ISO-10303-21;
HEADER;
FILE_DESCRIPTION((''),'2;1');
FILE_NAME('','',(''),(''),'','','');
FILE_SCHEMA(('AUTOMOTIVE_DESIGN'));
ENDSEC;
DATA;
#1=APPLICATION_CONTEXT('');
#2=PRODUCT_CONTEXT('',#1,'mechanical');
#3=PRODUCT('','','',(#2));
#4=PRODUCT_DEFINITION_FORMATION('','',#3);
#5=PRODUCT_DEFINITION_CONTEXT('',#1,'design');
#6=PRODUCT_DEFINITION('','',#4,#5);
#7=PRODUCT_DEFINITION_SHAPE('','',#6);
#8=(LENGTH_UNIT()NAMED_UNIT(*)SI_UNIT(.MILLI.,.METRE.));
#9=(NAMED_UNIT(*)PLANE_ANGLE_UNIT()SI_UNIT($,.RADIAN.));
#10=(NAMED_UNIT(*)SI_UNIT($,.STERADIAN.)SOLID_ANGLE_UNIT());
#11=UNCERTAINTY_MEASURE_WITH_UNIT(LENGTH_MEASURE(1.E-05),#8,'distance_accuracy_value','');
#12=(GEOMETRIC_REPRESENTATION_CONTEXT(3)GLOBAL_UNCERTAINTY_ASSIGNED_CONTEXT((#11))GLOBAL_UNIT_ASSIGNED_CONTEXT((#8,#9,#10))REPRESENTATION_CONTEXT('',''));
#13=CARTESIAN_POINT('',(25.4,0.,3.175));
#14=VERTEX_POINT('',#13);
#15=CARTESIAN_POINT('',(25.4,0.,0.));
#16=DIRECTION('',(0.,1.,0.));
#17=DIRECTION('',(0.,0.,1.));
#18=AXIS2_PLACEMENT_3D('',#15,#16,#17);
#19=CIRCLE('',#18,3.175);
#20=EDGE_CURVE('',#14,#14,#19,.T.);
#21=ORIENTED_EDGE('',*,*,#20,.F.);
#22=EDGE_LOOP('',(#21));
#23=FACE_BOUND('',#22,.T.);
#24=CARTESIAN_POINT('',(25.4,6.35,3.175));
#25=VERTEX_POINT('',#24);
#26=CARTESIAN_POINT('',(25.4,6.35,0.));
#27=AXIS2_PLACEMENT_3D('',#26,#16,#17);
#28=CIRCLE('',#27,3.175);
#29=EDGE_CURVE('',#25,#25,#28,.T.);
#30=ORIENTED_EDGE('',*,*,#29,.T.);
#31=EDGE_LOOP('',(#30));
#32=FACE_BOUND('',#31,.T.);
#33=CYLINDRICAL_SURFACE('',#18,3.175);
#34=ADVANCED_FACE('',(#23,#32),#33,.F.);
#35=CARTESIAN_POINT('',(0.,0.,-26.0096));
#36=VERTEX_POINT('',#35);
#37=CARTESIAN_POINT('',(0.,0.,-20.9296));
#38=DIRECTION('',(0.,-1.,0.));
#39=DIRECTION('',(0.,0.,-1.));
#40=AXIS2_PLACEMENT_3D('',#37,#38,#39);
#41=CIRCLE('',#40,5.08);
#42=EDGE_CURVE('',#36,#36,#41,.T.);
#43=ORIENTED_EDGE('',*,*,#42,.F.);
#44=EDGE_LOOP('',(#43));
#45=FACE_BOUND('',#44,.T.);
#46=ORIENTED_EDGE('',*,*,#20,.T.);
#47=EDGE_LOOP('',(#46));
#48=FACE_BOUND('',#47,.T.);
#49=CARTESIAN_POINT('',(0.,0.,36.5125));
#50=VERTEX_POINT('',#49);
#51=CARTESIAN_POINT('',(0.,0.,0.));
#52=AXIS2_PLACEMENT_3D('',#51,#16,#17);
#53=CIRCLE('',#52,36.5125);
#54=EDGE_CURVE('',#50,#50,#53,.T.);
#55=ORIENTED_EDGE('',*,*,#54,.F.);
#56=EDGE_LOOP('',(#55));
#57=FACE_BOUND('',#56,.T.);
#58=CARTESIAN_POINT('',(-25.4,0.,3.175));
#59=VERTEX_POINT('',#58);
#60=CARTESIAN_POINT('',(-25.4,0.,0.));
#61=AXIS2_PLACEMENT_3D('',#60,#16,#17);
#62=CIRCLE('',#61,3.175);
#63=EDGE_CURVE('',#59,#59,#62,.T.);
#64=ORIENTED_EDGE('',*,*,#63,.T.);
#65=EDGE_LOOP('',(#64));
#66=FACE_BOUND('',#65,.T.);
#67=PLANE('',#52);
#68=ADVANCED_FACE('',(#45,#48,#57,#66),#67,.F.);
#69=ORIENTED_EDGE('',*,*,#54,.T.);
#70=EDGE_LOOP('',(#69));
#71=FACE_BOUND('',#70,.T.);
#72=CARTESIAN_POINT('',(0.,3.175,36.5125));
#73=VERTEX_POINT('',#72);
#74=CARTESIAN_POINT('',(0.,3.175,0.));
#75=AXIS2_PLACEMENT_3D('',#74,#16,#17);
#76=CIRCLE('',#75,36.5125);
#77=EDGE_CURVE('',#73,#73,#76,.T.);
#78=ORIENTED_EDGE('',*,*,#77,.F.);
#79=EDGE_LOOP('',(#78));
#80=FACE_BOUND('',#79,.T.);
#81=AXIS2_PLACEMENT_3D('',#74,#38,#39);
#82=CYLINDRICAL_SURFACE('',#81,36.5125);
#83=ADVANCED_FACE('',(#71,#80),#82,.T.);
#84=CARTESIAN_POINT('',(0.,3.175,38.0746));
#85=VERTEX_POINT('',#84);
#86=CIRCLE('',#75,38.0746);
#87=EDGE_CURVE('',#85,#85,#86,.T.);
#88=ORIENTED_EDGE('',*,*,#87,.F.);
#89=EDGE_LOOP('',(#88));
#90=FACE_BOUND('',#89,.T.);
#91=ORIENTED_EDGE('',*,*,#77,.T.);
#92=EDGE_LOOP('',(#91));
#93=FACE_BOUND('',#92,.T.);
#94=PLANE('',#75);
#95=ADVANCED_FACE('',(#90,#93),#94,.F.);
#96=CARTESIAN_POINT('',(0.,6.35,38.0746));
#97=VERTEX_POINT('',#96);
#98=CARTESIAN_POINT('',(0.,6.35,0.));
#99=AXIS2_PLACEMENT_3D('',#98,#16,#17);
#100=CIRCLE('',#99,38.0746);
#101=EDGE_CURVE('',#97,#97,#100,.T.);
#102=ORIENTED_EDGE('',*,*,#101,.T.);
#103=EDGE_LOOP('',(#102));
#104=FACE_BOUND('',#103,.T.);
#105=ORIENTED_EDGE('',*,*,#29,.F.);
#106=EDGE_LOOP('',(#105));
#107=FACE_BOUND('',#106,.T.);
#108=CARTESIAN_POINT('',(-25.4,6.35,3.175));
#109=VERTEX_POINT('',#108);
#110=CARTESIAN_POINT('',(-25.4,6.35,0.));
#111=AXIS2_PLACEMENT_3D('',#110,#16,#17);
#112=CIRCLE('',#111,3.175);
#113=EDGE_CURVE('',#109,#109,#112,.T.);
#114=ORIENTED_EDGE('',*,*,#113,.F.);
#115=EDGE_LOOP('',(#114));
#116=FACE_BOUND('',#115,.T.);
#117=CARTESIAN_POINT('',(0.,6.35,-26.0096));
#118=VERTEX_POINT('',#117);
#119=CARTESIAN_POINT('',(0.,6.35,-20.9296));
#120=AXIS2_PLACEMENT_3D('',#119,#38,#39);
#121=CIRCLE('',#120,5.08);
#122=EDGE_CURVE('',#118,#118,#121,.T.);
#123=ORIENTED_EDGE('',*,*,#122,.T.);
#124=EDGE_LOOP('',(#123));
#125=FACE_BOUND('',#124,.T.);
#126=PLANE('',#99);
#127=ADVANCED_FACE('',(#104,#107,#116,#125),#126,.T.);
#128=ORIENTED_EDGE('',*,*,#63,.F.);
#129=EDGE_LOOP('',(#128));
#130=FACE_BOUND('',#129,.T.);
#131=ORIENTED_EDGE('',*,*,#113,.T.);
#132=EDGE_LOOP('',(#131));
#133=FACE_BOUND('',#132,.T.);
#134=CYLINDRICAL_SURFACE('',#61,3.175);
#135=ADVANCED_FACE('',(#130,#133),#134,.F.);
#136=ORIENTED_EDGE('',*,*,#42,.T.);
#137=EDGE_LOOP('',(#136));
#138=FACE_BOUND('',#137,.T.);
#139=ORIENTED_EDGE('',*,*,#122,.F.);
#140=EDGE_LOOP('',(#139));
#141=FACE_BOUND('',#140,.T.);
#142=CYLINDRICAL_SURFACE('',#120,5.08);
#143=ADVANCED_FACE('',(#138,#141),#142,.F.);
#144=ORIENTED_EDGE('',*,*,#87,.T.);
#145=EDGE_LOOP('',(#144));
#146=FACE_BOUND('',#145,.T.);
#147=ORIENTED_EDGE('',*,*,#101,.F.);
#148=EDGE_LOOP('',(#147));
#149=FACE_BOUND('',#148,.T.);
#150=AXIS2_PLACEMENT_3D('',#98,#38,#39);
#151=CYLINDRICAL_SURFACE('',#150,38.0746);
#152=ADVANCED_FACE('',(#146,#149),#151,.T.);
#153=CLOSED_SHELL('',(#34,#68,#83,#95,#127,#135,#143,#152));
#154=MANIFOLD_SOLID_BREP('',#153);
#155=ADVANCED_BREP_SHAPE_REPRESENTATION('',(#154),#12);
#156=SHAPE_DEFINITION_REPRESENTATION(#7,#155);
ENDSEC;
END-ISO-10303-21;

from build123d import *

# Parameters (mm, degrees)
SKETCH1_R           = 36.5125
BOSS_EXTRUDE1_DEPTH = 3.175
SKETCH2_R           = 38.0746
BOSS_EXTRUDE2_DEPTH = 3.175
SKETCH3_R           = 5.08
CUT_EXTRUDE1_DEPTH  = 55.218749804
SKETCH7_R           = 3.175
CUT_EXTRUDE4_DEPTH  = 55.218749804


with BuildPart() as part:
    # Sketch1 → Boss-Extrude1 (new body)
    with BuildSketch(Plane(origin=(0, 0, 0), x_dir=(1, 0, 0), z_dir=(0, 1, 0))):
        with Locations(Location((0, 0, 0), (0, 0, 270))):
            Circle(SKETCH1_R)
    extrude(amount=BOSS_EXTRUDE1_DEPTH)

    # Sketch2 → Boss-Extrude2 (add)
    with BuildSketch(Plane(origin=(0, 3.175, 0), x_dir=(1, 0, 0), z_dir=(0, 1, 0))):
        with Locations(Location((0, 0, 0), (0, 0, 270))):
            Circle(SKETCH2_R)
    extrude(amount=BOSS_EXTRUDE2_DEPTH)

    # Sketch3 → Cut-Extrude1 (cut, through all)
    with BuildSketch(Plane.XZ):
        with Locations(Location((0, -20.9296, 0), (0, 0, 270))):
            Circle(SKETCH3_R)
    extrude(amount=-CUT_EXTRUDE1_DEPTH, mode=Mode.SUBTRACT)

    # Sketch7 → Cut-Extrude4 (cut, through all)
    with BuildSketch(Plane(origin=(0, 6.35, 0), x_dir=(1, 0, 0), z_dir=(0, 1, 0))):
        with Locations(Location((-25.4, 0, 0), (0, 0, 270))):
            Circle(SKETCH7_R)
        with Locations(Location((25.4, 0, 0), (0, 0, 270))):
            Circle(SKETCH7_R)
    extrude(amount=-CUT_EXTRUDE4_DEPTH, mode=Mode.SUBTRACT)


solid = part.part
